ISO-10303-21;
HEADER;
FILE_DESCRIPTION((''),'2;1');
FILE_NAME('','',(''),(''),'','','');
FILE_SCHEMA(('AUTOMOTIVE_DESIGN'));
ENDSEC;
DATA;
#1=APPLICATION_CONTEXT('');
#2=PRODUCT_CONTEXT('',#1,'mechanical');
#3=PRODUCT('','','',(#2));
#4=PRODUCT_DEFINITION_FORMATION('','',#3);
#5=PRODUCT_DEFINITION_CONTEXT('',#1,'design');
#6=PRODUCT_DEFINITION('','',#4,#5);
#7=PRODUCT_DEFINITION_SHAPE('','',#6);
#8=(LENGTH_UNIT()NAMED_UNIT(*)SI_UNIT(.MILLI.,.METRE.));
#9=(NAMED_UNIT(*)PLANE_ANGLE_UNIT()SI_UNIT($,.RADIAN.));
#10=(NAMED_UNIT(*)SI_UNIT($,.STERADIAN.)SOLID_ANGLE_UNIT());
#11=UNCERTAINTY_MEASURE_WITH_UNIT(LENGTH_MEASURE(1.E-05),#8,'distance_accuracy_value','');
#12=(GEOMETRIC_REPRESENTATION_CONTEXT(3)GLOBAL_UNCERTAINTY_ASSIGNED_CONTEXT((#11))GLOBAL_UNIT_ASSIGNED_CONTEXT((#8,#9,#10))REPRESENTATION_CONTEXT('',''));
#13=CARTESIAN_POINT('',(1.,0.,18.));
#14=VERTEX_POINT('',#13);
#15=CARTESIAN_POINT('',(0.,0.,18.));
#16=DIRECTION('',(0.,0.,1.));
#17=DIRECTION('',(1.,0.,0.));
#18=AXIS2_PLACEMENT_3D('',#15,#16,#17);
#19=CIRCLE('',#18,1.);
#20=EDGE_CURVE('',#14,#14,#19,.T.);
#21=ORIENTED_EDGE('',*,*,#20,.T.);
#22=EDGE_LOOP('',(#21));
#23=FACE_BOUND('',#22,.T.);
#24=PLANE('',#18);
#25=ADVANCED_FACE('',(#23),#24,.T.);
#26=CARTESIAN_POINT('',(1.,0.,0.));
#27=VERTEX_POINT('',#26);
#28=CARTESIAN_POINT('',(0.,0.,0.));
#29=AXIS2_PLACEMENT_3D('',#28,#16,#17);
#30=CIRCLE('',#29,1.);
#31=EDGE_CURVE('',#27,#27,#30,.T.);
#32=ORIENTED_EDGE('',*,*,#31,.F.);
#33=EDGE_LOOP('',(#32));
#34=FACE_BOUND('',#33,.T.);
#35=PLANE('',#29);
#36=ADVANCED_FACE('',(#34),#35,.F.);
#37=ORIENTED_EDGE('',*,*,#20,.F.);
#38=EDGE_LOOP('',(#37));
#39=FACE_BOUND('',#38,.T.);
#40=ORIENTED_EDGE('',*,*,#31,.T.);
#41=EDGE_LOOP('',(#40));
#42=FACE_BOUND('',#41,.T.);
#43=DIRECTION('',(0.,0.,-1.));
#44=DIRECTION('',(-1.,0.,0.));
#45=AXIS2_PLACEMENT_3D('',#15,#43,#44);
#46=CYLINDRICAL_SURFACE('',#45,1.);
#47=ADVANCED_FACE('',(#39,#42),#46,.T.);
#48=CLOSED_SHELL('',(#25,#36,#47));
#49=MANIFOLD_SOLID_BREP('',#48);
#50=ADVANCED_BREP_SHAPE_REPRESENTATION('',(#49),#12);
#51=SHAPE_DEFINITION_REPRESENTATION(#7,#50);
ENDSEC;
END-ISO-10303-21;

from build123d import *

# Parameters (mm, degrees)
SKETCH_1_R      = 1
EXTRUDE_1_DEPTH = 18


with BuildPart() as part:
    # 草图1 → 凸台-拉伸1 (new body)
    with BuildSketch(Plane.XY):
        Circle(SKETCH_1_R)
    extrude(amount=EXTRUDE_1_DEPTH)


solid = part.part
